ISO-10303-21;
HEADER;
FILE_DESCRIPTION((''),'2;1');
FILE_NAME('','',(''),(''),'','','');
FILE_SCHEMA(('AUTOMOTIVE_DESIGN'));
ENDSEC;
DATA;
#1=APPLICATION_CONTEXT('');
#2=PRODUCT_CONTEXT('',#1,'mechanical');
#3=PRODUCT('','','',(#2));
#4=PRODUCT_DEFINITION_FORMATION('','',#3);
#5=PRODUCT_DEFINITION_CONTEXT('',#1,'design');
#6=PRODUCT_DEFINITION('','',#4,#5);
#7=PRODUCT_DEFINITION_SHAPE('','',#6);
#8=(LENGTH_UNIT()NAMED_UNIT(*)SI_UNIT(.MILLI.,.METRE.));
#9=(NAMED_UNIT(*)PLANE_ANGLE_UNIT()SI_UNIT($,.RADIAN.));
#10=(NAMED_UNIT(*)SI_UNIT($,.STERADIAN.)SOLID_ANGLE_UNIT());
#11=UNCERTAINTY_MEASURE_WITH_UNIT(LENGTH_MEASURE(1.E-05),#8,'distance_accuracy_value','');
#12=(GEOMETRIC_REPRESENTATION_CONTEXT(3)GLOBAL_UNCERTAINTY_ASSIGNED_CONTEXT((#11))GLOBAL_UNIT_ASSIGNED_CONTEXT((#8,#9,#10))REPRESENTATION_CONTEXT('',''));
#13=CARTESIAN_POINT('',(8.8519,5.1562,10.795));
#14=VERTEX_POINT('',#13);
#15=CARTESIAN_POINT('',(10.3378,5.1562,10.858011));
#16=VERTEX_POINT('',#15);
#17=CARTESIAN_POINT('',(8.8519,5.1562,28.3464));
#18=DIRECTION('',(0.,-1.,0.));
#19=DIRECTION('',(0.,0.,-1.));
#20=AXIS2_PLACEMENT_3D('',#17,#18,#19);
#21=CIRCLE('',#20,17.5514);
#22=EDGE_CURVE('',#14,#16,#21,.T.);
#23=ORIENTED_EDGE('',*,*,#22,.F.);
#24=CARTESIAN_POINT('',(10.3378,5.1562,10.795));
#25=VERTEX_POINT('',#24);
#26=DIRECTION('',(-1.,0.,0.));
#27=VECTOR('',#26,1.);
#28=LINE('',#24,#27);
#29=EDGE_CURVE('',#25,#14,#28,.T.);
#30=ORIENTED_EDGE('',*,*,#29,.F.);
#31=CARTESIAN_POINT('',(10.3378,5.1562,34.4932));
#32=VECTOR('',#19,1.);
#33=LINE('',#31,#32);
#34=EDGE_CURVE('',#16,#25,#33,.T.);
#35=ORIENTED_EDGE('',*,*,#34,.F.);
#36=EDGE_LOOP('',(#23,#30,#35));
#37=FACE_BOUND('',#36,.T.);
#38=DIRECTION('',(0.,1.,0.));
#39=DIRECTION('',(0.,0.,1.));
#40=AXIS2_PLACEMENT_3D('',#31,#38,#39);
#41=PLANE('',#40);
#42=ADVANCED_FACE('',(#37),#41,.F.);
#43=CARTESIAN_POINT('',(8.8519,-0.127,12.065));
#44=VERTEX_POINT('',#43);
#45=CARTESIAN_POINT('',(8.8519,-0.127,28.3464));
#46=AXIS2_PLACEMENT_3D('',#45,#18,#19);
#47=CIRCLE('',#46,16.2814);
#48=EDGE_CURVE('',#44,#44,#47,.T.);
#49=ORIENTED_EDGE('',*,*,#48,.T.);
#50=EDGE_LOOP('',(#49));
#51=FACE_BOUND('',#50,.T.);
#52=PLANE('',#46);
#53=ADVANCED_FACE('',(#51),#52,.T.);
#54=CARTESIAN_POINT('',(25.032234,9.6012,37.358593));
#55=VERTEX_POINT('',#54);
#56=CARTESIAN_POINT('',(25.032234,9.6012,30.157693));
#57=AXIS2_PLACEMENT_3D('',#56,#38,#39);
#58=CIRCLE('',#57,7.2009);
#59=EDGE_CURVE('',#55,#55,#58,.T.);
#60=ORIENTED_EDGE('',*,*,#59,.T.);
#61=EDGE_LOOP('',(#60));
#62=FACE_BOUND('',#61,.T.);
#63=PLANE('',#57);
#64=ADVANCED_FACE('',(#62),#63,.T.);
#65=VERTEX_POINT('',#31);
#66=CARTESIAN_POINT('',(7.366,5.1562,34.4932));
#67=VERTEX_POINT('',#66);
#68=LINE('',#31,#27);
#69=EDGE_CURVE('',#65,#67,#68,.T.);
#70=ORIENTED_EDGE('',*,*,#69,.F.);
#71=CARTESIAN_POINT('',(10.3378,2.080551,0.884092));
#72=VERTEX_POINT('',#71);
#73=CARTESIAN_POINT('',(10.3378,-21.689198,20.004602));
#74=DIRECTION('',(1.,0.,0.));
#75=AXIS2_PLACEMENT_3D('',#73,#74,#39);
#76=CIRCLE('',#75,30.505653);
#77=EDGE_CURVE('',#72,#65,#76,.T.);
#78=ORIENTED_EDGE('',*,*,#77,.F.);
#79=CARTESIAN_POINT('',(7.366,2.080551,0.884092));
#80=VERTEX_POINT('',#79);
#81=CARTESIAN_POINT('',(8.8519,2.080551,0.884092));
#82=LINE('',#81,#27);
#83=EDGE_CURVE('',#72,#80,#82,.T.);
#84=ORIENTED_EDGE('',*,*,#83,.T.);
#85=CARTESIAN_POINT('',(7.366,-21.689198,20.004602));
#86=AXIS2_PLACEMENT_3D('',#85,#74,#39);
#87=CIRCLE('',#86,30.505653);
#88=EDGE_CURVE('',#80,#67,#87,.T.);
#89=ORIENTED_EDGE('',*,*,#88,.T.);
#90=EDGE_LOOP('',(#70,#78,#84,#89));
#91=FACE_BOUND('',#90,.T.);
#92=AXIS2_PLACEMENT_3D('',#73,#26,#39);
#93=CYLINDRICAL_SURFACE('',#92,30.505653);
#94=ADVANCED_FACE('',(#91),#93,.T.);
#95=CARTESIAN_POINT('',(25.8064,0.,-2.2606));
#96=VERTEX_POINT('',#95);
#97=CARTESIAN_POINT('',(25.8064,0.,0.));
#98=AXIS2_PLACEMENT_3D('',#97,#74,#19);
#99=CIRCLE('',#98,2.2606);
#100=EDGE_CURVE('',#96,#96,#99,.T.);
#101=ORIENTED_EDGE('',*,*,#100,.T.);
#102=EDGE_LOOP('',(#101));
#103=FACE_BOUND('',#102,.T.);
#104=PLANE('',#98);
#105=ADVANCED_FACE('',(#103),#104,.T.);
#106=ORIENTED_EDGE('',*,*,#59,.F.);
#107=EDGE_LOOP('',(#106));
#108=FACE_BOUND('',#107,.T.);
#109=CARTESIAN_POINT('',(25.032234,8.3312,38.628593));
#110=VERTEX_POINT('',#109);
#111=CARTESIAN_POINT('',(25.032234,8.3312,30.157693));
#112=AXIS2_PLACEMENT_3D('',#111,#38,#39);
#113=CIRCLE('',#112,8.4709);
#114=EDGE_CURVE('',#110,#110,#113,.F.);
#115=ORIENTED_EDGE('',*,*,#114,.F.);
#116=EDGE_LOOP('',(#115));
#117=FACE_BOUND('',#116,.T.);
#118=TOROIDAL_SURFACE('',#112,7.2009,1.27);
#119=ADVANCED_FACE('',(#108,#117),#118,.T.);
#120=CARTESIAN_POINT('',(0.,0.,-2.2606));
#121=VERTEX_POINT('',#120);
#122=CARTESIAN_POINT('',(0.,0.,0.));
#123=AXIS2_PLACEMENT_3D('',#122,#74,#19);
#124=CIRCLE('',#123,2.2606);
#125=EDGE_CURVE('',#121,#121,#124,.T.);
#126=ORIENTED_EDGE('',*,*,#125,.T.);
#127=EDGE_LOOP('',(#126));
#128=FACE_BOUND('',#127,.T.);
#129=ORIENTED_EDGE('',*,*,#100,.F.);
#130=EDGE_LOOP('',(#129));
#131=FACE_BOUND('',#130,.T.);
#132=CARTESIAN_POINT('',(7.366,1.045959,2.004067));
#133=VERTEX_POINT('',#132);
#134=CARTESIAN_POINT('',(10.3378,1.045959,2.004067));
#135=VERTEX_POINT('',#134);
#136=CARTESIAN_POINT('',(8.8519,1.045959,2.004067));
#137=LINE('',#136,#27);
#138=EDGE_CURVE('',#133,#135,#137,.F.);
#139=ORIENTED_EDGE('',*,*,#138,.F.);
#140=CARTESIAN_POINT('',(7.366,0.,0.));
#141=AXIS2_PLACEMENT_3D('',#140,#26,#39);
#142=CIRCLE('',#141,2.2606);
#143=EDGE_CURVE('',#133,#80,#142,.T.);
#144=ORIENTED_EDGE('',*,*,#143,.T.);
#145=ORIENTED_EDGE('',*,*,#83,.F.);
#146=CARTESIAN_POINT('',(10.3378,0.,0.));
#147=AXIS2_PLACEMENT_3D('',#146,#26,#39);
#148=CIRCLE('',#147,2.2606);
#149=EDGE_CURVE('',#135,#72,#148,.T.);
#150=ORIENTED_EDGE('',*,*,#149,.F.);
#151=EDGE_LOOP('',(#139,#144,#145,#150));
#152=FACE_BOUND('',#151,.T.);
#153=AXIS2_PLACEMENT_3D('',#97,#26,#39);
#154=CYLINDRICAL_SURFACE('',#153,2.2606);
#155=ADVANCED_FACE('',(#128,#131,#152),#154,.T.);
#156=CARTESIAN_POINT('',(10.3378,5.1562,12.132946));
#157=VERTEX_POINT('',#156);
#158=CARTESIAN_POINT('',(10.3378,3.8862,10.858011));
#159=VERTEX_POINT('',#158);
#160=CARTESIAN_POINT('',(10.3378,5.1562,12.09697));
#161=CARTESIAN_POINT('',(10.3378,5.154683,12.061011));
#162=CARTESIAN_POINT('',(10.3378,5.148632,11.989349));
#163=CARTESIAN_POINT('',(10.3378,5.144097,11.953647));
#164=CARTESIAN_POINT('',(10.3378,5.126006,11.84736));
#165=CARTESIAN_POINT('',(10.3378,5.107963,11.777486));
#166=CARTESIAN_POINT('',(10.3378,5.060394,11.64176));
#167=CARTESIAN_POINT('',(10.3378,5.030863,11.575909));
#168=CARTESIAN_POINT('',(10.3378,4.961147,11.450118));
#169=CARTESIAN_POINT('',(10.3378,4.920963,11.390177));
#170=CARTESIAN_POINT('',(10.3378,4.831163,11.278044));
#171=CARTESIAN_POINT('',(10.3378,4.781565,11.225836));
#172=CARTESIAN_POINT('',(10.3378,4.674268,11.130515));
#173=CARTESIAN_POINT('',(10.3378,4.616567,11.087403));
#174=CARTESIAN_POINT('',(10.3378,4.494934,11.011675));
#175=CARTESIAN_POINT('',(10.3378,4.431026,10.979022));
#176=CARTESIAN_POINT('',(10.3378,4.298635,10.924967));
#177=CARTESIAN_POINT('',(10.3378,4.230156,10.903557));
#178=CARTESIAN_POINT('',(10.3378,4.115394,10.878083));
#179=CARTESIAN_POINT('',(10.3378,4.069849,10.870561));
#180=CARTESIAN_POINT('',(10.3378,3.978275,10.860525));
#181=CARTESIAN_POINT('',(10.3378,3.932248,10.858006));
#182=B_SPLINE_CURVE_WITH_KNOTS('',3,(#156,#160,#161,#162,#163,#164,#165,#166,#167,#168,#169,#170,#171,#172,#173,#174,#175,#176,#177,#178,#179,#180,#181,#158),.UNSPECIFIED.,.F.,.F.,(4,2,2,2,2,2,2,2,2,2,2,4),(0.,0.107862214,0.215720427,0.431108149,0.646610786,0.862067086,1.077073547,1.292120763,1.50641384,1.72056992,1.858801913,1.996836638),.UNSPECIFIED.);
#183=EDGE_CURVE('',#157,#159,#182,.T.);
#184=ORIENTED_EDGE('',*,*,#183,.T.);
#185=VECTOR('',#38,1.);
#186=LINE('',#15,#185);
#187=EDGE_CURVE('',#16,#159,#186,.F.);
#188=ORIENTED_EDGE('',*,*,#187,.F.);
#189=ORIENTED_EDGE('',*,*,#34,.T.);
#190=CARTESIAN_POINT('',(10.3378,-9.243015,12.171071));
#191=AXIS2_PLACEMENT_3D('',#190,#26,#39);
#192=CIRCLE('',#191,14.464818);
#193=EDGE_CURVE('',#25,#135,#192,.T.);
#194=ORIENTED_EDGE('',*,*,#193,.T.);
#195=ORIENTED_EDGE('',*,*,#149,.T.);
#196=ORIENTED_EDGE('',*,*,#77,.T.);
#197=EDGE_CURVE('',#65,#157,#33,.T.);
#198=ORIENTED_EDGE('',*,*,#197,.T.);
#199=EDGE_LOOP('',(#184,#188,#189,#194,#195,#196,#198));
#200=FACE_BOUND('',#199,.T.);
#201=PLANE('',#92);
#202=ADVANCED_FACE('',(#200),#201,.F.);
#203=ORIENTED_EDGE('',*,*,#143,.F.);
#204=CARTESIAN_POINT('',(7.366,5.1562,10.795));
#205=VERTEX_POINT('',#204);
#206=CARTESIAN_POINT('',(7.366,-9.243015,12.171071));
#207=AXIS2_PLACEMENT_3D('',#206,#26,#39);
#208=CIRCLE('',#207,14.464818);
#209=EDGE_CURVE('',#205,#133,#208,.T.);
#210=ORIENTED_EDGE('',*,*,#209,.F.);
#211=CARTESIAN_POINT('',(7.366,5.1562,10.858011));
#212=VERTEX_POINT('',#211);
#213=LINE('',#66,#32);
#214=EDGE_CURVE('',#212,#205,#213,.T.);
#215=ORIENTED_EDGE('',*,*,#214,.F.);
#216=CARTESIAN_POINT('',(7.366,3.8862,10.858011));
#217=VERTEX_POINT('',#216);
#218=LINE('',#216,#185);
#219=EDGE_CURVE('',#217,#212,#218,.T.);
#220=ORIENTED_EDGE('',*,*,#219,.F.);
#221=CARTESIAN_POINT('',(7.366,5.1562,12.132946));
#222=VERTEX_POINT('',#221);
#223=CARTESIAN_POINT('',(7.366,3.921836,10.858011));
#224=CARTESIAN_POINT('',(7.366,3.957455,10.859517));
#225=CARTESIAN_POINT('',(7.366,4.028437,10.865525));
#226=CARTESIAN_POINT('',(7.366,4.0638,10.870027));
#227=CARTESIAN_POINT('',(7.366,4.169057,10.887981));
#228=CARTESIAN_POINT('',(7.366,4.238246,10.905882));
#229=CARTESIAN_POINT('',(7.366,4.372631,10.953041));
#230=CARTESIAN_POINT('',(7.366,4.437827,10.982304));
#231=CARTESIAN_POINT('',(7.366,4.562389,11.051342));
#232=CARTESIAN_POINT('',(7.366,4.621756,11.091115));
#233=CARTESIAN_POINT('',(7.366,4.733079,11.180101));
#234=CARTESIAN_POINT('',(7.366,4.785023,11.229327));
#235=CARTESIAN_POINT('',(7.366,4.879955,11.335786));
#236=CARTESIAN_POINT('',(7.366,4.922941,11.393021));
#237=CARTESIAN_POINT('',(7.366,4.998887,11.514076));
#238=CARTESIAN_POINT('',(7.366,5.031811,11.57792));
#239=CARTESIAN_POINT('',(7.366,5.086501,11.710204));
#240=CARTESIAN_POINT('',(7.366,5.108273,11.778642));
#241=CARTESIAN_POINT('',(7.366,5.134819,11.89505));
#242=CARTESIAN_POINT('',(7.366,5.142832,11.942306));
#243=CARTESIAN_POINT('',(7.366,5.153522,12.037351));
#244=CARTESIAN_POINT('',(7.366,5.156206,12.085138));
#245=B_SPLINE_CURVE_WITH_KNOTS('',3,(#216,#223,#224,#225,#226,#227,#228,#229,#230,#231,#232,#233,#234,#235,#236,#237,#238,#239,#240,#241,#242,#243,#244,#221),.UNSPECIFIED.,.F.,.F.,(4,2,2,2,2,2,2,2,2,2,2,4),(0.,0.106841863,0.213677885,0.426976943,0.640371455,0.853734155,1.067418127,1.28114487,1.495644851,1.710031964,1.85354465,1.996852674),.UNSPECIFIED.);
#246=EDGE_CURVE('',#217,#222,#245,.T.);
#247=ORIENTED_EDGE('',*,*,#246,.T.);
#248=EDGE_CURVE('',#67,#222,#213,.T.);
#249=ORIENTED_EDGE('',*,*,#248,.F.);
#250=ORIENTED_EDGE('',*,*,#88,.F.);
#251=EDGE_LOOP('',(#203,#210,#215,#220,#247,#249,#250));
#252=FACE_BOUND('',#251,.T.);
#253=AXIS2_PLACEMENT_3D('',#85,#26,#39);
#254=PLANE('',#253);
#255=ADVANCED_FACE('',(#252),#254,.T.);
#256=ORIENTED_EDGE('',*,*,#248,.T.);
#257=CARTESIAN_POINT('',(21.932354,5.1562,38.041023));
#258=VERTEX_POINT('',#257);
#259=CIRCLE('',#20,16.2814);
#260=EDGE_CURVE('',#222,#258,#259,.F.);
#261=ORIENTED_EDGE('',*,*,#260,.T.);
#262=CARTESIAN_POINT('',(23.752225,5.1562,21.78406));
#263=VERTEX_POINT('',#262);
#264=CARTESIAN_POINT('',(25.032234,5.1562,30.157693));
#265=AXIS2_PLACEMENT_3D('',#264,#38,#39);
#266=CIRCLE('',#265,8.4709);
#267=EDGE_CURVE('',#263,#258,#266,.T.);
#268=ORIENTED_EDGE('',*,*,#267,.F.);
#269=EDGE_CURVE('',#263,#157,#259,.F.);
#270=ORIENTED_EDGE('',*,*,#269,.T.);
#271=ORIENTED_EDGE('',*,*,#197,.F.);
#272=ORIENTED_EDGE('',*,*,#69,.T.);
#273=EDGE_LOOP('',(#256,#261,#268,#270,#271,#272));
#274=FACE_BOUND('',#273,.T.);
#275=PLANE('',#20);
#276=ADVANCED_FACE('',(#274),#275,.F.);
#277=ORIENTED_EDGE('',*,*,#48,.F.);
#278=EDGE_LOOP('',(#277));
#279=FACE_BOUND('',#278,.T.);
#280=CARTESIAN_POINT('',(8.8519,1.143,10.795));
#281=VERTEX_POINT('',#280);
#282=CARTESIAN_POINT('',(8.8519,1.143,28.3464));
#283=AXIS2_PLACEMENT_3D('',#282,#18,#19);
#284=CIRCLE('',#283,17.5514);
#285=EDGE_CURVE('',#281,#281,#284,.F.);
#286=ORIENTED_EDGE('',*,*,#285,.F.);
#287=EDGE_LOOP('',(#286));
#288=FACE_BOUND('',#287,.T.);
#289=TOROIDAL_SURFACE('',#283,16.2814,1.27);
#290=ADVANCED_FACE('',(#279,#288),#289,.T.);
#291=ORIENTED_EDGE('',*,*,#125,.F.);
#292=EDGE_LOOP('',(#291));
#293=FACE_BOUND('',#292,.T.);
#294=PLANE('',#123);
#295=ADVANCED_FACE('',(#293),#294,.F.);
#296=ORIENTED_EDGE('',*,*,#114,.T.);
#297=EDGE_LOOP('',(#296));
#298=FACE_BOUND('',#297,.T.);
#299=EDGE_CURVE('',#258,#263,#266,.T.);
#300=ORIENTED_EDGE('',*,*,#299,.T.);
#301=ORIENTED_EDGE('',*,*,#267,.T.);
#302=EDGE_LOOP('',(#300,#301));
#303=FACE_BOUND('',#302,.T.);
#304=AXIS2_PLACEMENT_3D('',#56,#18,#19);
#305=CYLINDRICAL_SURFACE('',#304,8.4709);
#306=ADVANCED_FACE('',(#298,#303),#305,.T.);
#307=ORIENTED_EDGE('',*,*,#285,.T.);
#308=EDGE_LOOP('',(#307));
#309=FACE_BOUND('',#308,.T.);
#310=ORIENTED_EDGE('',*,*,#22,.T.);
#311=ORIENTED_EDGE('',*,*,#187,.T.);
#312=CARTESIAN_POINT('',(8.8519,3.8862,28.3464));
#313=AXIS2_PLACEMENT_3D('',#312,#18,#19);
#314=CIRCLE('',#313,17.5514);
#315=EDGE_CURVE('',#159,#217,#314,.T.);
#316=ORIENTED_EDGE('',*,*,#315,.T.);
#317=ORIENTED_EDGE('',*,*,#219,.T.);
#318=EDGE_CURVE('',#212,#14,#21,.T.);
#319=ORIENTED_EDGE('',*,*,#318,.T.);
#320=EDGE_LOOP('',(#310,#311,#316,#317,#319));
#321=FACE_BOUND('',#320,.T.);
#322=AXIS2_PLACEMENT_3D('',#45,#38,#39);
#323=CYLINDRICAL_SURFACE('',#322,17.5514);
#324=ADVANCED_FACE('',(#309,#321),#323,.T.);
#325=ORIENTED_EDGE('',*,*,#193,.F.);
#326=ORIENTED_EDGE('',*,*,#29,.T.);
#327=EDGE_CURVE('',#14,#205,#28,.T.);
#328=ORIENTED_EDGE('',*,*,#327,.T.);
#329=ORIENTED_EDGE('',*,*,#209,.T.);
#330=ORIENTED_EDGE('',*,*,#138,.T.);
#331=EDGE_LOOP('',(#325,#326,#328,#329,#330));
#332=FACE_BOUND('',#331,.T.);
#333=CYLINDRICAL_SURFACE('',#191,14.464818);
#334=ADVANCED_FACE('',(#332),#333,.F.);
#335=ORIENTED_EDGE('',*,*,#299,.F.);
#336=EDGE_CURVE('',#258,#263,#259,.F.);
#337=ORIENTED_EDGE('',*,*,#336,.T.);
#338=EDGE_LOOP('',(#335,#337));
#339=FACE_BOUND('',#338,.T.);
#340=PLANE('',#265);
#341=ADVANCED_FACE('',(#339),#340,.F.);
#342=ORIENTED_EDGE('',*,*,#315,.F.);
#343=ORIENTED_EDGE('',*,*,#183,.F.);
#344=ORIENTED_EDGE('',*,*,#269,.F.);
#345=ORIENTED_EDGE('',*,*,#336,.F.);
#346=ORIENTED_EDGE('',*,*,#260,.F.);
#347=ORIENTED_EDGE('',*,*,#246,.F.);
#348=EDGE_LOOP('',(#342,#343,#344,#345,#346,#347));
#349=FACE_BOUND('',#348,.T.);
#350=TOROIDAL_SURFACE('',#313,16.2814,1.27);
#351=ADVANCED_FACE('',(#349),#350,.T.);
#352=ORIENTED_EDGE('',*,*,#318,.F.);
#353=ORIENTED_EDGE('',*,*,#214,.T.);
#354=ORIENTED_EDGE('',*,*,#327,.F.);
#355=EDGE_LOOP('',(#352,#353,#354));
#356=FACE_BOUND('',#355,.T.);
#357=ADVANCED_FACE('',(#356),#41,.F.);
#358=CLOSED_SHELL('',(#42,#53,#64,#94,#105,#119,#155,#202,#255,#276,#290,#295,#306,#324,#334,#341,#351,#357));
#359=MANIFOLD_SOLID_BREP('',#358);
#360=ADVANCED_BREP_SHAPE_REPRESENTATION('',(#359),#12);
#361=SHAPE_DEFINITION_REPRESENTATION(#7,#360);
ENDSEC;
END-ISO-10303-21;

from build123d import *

# Parameters (mm, degrees)
SKETCH1_R           = 2.2606
BOSS_EXTRUDE1_DEPTH = 25.8064
BOSS_EXTRUDE2_DEPTH = 2.9718
SKETCH3_R           = 17.5514
BOSS_EXTRUDE3_DEPTH = 5.2832
FILLET1_R           = 1.27
SKETCH4_R           = 8.4709
BOSS_EXTRUDE4_DEPTH = 4.445
FILLET2_R           = 1.27


with BuildPart() as part:
    # Sketch1 → Boss-Extrude1 (new body)
    with BuildSketch(Plane(origin=(0, 0, 0), x_dir=(0, 0, -1), z_dir=(1, 0, 0))):
        Circle(SKETCH1_R)
    extrude(amount=BOSS_EXTRUDE1_DEPTH)

    # Sketch2 → Boss-Extrude2 (add)
    with BuildSketch(Plane(origin=(7.366, 0, 0), x_dir=(0, 0, -1), z_dir=(1, 0, 0))):
        with BuildLine():
            Line((-34.4932, 5.1562), (-10.795, 5.1562))
            ThreePointArc((-10.795, 5.1562), (-4.640157933, 3.106734389), (0, -1.426622482))
            Line((0, -1.426622482), (0, 1.341450991))
            ThreePointArc((0, 1.341450991), (-16.651297211, 8.631590684), (-34.4932, 5.1562))
        make_face()
    extrude(amount=BOSS_EXTRUDE2_DEPTH)

    # Sketch3 → Boss-Extrude3 (add)
    with BuildSketch(Plane.XZ.offset(-5.1562)):
        with Locations(Location((8.8519, 28.3464, 0), (0, 0, 270))):
            Circle(SKETCH3_R)
    extrude(amount=BOSS_EXTRUDE3_DEPTH)

    # Fillet1
    fillet1_edges = [part.edges().sort_by_distance(p)[0] for p in [
        (8.8519, 5.1562, 45.8978),
        (8.8519, -0.127, 45.8978),
    ]]
    fillet(fillet1_edges, radius=FILLET1_R)

    # Sketch4 → Boss-Extrude4 (add)
    with BuildSketch(Plane(origin=(0, 5.1562, 0), x_dir=(1, 0, 0), z_dir=(0, 1, 0))):
        with Locations(Location((25.032233899, -30.157692599, 0), (0, 0, 98.691062449))):
            Circle(SKETCH4_R)
    extrude(amount=BOSS_EXTRUDE4_DEPTH)

    # Fillet2
    fillet2_edges = [part.edges().sort_by_distance(p)[0] for p in [
        (26.312242996, 9.6012, 38.531325234),
    ]]
    fillet(fillet2_edges, radius=FILLET2_R)


solid = part.part
